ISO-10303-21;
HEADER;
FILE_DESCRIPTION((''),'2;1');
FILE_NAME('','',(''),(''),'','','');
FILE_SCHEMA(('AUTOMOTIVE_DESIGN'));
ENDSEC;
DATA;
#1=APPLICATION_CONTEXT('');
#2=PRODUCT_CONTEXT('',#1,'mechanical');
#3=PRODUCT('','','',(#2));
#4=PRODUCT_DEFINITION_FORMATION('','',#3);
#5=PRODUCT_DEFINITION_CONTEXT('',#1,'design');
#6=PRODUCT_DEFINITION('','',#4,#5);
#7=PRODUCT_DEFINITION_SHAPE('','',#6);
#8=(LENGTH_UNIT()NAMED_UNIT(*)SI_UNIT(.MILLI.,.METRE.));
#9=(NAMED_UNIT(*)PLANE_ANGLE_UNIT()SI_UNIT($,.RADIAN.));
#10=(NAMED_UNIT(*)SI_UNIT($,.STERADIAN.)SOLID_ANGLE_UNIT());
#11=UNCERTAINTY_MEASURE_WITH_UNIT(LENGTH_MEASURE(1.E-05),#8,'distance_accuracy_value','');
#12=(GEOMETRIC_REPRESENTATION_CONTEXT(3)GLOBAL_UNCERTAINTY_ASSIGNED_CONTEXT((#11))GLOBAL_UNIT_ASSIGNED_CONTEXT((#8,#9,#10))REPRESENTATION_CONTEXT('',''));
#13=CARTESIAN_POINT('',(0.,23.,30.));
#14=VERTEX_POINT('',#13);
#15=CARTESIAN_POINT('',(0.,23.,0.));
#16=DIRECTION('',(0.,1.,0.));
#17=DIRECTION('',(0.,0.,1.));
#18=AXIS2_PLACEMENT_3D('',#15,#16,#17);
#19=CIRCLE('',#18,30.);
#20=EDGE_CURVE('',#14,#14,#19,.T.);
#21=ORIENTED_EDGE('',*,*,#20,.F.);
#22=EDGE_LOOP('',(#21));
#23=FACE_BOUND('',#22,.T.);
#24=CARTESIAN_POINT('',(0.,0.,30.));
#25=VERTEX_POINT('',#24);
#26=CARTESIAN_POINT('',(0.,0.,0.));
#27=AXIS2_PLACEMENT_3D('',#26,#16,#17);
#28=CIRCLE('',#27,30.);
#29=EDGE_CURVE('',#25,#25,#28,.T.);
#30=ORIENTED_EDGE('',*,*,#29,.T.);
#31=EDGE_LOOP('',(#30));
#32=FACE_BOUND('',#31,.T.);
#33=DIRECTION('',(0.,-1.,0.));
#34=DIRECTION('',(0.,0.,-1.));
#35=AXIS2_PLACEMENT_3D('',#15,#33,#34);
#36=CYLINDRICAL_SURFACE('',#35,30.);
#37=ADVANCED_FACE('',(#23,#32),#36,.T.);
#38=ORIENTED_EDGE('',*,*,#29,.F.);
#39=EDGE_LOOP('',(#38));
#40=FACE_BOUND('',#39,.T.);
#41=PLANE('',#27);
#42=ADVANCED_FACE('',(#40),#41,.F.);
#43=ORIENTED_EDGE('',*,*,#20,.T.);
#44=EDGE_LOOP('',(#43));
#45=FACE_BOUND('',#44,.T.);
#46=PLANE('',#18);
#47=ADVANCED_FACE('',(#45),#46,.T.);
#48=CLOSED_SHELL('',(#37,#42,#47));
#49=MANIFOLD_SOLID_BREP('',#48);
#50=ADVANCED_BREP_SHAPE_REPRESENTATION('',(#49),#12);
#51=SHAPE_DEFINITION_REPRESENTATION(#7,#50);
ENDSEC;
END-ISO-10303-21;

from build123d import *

# Parameters (mm, degrees)
SKETCH1_R           = 30
BOSS_EXTRUDE1_DEPTH = 23


with BuildPart() as part:
    # Sketch1 → Boss-Extrude1 (new body)
    with BuildSketch(Plane(origin=(0, 0, 0), x_dir=(1, 0, 0), z_dir=(0, 1, 0))):
        Circle(SKETCH1_R)
    extrude(amount=BOSS_EXTRUDE1_DEPTH)


solid = part.part
